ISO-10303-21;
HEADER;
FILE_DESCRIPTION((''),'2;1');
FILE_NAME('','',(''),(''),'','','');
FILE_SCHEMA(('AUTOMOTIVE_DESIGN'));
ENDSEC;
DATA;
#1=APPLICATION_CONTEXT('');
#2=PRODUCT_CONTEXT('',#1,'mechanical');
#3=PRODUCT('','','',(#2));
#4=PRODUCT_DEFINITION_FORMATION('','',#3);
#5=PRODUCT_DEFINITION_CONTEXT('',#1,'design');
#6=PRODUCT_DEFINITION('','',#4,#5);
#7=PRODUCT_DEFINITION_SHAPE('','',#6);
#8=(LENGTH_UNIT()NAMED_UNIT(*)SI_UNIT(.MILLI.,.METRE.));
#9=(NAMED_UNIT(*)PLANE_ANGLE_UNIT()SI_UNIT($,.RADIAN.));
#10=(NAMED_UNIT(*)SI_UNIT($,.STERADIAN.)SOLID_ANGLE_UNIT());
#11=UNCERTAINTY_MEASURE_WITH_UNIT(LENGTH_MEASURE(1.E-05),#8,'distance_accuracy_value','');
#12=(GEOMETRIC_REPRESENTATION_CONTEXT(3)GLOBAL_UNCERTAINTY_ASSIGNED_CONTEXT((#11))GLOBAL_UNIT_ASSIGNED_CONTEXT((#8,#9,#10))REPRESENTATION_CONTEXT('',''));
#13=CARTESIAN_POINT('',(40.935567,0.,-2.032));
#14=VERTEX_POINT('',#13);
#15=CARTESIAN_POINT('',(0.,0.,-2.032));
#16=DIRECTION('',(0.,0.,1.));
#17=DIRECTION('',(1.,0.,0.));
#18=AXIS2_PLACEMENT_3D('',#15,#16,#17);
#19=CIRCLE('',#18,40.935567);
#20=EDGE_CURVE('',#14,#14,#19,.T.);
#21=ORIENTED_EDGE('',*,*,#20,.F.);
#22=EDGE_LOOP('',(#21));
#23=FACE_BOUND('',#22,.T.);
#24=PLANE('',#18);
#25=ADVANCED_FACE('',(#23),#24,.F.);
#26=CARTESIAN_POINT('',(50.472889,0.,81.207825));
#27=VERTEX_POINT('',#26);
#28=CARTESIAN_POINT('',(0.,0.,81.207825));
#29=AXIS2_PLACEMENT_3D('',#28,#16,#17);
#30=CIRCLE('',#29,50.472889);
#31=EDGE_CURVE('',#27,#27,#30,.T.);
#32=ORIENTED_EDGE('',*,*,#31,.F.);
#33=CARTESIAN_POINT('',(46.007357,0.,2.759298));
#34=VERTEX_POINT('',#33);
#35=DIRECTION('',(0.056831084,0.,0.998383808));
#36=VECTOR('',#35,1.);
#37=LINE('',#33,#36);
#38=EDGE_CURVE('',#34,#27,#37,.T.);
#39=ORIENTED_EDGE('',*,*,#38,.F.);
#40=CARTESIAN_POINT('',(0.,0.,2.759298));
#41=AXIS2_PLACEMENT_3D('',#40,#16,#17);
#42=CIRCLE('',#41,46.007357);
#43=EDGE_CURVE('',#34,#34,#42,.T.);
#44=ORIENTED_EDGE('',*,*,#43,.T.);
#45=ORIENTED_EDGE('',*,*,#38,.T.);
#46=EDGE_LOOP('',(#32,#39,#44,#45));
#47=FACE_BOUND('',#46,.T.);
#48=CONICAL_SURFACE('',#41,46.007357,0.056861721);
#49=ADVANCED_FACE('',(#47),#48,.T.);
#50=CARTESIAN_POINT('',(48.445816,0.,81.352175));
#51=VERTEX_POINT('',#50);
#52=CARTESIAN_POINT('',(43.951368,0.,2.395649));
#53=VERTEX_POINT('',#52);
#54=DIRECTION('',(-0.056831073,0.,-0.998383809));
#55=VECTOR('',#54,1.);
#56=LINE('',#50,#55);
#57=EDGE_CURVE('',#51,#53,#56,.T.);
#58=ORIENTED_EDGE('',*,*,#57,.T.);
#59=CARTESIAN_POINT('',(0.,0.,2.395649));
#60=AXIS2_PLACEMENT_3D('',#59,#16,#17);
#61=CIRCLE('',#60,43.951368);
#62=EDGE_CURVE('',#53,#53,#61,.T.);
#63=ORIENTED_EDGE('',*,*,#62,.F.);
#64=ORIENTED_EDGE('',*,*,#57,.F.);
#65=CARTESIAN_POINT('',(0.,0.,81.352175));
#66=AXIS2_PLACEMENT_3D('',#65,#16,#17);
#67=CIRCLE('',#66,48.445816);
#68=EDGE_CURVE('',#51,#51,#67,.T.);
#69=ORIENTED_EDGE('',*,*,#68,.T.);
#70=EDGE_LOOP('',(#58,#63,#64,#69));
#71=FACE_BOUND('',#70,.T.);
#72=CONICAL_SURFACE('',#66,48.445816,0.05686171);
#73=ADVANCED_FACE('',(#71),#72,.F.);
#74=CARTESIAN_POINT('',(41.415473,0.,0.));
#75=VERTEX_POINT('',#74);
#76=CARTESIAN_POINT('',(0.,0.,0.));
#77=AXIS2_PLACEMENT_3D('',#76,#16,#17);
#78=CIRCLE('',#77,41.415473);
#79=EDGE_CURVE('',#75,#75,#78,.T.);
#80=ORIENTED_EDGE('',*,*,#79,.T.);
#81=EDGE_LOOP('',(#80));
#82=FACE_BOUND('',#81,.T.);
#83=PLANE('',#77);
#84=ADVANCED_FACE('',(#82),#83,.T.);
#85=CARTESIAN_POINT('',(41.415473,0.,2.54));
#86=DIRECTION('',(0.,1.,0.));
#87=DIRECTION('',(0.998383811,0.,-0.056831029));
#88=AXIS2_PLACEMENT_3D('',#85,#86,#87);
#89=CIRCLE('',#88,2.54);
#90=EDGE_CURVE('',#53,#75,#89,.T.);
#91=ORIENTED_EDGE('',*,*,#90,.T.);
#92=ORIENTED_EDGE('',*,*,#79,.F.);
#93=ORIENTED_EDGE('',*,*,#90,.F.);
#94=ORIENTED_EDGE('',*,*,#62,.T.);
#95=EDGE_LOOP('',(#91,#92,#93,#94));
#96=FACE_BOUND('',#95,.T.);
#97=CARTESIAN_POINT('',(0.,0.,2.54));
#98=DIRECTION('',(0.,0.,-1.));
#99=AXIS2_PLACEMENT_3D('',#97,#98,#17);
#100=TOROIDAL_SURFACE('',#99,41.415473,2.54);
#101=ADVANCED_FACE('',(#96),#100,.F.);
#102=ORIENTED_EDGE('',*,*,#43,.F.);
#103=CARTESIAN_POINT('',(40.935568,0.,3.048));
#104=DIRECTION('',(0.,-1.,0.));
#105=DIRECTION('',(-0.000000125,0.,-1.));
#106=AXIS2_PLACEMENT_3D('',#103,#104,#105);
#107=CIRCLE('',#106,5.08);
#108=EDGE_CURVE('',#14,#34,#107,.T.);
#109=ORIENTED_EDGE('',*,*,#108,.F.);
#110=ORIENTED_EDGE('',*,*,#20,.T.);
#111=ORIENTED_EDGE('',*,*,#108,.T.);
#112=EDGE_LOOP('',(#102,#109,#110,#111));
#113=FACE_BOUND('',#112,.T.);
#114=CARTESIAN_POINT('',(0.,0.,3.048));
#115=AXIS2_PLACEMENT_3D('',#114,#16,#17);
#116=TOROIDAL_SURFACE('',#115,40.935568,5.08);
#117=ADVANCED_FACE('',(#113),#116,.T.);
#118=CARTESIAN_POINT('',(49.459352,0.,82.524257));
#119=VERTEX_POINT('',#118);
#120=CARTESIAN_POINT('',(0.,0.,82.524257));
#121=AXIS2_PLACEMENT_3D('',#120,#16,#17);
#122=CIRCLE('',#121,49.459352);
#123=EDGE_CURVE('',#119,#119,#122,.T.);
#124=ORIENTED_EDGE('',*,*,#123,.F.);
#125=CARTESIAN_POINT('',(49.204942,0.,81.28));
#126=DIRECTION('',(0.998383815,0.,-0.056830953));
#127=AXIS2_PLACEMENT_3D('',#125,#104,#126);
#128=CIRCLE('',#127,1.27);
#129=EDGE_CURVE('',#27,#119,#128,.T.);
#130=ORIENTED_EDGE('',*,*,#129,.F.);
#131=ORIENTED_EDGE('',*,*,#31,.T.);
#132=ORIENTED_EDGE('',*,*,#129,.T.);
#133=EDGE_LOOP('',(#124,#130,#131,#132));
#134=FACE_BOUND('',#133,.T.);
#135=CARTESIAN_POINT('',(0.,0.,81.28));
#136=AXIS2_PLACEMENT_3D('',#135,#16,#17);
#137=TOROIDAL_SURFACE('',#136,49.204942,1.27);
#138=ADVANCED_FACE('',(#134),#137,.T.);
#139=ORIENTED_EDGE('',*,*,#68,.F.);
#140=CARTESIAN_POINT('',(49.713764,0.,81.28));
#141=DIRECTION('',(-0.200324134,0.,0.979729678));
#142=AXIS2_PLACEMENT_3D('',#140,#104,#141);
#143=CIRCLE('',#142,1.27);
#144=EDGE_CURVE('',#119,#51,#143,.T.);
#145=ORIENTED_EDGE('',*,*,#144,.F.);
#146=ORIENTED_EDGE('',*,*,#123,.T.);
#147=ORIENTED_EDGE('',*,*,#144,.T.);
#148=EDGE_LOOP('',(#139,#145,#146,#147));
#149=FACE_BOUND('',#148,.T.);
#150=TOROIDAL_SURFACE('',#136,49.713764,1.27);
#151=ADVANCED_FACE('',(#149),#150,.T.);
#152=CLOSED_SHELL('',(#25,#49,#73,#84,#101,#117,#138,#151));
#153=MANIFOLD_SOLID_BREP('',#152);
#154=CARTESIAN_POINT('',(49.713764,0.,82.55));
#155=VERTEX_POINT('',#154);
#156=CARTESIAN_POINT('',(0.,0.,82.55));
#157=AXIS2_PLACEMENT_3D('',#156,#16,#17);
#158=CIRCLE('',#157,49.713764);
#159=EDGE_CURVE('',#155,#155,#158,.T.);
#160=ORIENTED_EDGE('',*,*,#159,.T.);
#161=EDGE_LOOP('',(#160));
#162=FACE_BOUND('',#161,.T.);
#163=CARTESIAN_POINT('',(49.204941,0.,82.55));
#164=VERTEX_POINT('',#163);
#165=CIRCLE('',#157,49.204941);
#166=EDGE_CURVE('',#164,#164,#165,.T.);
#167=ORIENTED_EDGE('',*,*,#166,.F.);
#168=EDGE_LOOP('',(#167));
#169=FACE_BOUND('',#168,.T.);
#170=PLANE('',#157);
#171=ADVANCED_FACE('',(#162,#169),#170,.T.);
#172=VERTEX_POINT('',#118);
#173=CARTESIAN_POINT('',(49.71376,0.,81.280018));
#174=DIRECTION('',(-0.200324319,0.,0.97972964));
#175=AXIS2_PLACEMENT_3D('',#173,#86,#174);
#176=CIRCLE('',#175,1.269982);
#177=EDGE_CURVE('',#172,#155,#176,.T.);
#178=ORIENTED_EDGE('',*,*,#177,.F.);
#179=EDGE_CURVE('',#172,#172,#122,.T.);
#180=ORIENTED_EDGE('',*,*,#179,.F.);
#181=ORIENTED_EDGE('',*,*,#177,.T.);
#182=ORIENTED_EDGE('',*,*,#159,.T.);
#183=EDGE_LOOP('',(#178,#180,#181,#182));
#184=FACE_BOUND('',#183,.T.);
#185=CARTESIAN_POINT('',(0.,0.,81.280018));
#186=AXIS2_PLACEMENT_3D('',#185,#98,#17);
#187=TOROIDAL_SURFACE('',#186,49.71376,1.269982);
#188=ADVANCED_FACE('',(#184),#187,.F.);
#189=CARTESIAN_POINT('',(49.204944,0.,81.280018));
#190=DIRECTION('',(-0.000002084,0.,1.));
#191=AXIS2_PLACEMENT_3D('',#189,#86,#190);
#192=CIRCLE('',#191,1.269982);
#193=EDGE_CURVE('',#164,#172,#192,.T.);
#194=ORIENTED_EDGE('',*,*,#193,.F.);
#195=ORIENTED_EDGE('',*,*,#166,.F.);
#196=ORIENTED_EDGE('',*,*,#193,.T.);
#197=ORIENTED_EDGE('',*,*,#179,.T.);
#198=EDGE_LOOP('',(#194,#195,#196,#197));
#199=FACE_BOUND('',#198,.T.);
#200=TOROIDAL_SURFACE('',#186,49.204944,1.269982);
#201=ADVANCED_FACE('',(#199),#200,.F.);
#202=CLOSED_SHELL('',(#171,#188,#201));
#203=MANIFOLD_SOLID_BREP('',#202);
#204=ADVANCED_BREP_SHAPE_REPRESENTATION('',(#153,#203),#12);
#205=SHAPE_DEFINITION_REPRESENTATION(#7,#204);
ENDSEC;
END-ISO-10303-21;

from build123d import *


with BuildPart() as f1:
    # F0 (on Front) → F1 (revolve)
    with BuildSketch(Plane.XZ):
        with BuildLine():
            ThreePointArc((49.204941, 82.55), (49.332796, 82.543548), (49.459352, 82.524257))
            ThreePointArc((49.459352, 82.524257), (49.585908, 82.543548), (49.713764, 82.55))
            Line((49.713764, 82.55), (49.204941, 82.55))
        make_face()
        with BuildLine():
            Line((41.415473, 0), (0, 0))
            Line((0, 0), (0, -2.032))
            Line((0, -2.032), (40.935567, -2.032))
            ThreePointArc((40.935567, -2.032), (44.424105, -0.644764), (46.007357, 2.759298))
            Line((46.007357, 2.759298), (50.472889, 81.207825))
            ThreePointArc((50.472889, 81.207825), (50.211243, 82.054763), (49.459352, 82.524257))
            ThreePointArc((49.459352, 82.524257), (48.753119, 82.1107), (48.445816, 81.352175))
            Line((48.445816, 81.352175), (43.951368, 2.395649))
            ThreePointArc((43.951368, 2.395649), (43.159742, 0.693618), (41.415473, 0))
        make_face()
    revolve(axis=Axis((0, 0, 39.45719), (0, 0, 1)))


solid = f1.part
